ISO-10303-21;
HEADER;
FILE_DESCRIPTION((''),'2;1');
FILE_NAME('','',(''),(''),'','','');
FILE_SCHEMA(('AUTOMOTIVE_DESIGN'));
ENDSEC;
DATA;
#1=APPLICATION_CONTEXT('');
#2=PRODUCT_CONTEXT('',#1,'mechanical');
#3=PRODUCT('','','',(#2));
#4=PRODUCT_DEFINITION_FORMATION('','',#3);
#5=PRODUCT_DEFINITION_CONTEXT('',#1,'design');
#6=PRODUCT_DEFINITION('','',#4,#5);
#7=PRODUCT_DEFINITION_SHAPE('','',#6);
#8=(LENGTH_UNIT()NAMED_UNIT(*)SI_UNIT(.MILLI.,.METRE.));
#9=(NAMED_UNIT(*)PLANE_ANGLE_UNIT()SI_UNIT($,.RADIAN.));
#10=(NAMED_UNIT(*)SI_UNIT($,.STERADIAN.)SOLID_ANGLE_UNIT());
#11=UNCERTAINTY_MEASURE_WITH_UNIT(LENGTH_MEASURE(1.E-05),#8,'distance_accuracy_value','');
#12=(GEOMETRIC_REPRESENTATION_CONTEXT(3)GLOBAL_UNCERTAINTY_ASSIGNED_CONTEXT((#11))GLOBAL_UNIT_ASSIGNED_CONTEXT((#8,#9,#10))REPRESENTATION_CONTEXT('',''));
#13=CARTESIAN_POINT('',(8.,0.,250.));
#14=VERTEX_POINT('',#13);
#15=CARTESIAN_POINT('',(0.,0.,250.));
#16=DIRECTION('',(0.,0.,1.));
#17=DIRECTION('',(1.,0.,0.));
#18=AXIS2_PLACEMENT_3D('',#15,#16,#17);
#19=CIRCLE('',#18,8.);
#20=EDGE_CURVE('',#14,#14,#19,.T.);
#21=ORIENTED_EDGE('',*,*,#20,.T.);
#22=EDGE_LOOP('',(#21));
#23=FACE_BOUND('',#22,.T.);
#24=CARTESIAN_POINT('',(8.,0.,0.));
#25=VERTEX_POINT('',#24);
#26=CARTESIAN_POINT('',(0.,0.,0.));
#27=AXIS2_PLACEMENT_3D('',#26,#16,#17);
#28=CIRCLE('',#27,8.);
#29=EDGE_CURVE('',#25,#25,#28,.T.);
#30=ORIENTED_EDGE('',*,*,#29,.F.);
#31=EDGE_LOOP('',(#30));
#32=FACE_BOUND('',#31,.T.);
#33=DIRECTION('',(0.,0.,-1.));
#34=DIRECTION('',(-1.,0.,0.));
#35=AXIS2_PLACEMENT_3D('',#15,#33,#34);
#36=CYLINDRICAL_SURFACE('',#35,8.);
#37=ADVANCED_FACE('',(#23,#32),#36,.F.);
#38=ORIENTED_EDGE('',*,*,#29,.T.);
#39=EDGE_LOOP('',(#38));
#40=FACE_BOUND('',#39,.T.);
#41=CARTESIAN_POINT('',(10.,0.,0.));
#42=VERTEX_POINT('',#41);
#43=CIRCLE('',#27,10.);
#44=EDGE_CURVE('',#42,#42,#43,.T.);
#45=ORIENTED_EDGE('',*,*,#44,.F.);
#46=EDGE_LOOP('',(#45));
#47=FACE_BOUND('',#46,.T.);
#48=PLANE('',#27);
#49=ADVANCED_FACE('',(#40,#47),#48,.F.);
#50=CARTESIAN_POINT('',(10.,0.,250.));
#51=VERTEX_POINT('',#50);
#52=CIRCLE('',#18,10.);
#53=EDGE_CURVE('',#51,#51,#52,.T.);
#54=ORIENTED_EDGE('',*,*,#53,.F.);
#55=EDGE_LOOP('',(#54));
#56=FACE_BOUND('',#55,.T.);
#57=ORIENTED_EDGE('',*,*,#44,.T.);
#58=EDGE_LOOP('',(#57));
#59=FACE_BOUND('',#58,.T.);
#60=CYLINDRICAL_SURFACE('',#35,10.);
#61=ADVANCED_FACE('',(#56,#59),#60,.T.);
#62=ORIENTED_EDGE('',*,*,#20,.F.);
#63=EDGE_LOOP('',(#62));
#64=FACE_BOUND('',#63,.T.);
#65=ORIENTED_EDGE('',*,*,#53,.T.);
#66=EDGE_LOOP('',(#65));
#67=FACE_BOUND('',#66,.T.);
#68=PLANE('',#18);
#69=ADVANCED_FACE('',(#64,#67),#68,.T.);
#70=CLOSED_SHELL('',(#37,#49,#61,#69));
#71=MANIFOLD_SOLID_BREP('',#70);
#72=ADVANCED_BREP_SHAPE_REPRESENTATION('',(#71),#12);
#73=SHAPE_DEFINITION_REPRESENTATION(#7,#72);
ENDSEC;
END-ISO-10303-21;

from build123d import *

# Parameters (mm, degrees)
SZKIC1_R                    = 10
SZKIC1_R_2                  = 8
DODANIE_WYCI_GNI_CIE1_DEPTH = 250


with BuildPart() as part:
    # Szkic1 → Dodanie-wyciągnięcie1 (new body)
    with BuildSketch(Plane.XY):
        Circle(SZKIC1_R)
        Circle(SZKIC1_R_2, mode=Mode.SUBTRACT)
    extrude(amount=DODANIE_WYCI_GNI_CIE1_DEPTH)


solid = part.part
